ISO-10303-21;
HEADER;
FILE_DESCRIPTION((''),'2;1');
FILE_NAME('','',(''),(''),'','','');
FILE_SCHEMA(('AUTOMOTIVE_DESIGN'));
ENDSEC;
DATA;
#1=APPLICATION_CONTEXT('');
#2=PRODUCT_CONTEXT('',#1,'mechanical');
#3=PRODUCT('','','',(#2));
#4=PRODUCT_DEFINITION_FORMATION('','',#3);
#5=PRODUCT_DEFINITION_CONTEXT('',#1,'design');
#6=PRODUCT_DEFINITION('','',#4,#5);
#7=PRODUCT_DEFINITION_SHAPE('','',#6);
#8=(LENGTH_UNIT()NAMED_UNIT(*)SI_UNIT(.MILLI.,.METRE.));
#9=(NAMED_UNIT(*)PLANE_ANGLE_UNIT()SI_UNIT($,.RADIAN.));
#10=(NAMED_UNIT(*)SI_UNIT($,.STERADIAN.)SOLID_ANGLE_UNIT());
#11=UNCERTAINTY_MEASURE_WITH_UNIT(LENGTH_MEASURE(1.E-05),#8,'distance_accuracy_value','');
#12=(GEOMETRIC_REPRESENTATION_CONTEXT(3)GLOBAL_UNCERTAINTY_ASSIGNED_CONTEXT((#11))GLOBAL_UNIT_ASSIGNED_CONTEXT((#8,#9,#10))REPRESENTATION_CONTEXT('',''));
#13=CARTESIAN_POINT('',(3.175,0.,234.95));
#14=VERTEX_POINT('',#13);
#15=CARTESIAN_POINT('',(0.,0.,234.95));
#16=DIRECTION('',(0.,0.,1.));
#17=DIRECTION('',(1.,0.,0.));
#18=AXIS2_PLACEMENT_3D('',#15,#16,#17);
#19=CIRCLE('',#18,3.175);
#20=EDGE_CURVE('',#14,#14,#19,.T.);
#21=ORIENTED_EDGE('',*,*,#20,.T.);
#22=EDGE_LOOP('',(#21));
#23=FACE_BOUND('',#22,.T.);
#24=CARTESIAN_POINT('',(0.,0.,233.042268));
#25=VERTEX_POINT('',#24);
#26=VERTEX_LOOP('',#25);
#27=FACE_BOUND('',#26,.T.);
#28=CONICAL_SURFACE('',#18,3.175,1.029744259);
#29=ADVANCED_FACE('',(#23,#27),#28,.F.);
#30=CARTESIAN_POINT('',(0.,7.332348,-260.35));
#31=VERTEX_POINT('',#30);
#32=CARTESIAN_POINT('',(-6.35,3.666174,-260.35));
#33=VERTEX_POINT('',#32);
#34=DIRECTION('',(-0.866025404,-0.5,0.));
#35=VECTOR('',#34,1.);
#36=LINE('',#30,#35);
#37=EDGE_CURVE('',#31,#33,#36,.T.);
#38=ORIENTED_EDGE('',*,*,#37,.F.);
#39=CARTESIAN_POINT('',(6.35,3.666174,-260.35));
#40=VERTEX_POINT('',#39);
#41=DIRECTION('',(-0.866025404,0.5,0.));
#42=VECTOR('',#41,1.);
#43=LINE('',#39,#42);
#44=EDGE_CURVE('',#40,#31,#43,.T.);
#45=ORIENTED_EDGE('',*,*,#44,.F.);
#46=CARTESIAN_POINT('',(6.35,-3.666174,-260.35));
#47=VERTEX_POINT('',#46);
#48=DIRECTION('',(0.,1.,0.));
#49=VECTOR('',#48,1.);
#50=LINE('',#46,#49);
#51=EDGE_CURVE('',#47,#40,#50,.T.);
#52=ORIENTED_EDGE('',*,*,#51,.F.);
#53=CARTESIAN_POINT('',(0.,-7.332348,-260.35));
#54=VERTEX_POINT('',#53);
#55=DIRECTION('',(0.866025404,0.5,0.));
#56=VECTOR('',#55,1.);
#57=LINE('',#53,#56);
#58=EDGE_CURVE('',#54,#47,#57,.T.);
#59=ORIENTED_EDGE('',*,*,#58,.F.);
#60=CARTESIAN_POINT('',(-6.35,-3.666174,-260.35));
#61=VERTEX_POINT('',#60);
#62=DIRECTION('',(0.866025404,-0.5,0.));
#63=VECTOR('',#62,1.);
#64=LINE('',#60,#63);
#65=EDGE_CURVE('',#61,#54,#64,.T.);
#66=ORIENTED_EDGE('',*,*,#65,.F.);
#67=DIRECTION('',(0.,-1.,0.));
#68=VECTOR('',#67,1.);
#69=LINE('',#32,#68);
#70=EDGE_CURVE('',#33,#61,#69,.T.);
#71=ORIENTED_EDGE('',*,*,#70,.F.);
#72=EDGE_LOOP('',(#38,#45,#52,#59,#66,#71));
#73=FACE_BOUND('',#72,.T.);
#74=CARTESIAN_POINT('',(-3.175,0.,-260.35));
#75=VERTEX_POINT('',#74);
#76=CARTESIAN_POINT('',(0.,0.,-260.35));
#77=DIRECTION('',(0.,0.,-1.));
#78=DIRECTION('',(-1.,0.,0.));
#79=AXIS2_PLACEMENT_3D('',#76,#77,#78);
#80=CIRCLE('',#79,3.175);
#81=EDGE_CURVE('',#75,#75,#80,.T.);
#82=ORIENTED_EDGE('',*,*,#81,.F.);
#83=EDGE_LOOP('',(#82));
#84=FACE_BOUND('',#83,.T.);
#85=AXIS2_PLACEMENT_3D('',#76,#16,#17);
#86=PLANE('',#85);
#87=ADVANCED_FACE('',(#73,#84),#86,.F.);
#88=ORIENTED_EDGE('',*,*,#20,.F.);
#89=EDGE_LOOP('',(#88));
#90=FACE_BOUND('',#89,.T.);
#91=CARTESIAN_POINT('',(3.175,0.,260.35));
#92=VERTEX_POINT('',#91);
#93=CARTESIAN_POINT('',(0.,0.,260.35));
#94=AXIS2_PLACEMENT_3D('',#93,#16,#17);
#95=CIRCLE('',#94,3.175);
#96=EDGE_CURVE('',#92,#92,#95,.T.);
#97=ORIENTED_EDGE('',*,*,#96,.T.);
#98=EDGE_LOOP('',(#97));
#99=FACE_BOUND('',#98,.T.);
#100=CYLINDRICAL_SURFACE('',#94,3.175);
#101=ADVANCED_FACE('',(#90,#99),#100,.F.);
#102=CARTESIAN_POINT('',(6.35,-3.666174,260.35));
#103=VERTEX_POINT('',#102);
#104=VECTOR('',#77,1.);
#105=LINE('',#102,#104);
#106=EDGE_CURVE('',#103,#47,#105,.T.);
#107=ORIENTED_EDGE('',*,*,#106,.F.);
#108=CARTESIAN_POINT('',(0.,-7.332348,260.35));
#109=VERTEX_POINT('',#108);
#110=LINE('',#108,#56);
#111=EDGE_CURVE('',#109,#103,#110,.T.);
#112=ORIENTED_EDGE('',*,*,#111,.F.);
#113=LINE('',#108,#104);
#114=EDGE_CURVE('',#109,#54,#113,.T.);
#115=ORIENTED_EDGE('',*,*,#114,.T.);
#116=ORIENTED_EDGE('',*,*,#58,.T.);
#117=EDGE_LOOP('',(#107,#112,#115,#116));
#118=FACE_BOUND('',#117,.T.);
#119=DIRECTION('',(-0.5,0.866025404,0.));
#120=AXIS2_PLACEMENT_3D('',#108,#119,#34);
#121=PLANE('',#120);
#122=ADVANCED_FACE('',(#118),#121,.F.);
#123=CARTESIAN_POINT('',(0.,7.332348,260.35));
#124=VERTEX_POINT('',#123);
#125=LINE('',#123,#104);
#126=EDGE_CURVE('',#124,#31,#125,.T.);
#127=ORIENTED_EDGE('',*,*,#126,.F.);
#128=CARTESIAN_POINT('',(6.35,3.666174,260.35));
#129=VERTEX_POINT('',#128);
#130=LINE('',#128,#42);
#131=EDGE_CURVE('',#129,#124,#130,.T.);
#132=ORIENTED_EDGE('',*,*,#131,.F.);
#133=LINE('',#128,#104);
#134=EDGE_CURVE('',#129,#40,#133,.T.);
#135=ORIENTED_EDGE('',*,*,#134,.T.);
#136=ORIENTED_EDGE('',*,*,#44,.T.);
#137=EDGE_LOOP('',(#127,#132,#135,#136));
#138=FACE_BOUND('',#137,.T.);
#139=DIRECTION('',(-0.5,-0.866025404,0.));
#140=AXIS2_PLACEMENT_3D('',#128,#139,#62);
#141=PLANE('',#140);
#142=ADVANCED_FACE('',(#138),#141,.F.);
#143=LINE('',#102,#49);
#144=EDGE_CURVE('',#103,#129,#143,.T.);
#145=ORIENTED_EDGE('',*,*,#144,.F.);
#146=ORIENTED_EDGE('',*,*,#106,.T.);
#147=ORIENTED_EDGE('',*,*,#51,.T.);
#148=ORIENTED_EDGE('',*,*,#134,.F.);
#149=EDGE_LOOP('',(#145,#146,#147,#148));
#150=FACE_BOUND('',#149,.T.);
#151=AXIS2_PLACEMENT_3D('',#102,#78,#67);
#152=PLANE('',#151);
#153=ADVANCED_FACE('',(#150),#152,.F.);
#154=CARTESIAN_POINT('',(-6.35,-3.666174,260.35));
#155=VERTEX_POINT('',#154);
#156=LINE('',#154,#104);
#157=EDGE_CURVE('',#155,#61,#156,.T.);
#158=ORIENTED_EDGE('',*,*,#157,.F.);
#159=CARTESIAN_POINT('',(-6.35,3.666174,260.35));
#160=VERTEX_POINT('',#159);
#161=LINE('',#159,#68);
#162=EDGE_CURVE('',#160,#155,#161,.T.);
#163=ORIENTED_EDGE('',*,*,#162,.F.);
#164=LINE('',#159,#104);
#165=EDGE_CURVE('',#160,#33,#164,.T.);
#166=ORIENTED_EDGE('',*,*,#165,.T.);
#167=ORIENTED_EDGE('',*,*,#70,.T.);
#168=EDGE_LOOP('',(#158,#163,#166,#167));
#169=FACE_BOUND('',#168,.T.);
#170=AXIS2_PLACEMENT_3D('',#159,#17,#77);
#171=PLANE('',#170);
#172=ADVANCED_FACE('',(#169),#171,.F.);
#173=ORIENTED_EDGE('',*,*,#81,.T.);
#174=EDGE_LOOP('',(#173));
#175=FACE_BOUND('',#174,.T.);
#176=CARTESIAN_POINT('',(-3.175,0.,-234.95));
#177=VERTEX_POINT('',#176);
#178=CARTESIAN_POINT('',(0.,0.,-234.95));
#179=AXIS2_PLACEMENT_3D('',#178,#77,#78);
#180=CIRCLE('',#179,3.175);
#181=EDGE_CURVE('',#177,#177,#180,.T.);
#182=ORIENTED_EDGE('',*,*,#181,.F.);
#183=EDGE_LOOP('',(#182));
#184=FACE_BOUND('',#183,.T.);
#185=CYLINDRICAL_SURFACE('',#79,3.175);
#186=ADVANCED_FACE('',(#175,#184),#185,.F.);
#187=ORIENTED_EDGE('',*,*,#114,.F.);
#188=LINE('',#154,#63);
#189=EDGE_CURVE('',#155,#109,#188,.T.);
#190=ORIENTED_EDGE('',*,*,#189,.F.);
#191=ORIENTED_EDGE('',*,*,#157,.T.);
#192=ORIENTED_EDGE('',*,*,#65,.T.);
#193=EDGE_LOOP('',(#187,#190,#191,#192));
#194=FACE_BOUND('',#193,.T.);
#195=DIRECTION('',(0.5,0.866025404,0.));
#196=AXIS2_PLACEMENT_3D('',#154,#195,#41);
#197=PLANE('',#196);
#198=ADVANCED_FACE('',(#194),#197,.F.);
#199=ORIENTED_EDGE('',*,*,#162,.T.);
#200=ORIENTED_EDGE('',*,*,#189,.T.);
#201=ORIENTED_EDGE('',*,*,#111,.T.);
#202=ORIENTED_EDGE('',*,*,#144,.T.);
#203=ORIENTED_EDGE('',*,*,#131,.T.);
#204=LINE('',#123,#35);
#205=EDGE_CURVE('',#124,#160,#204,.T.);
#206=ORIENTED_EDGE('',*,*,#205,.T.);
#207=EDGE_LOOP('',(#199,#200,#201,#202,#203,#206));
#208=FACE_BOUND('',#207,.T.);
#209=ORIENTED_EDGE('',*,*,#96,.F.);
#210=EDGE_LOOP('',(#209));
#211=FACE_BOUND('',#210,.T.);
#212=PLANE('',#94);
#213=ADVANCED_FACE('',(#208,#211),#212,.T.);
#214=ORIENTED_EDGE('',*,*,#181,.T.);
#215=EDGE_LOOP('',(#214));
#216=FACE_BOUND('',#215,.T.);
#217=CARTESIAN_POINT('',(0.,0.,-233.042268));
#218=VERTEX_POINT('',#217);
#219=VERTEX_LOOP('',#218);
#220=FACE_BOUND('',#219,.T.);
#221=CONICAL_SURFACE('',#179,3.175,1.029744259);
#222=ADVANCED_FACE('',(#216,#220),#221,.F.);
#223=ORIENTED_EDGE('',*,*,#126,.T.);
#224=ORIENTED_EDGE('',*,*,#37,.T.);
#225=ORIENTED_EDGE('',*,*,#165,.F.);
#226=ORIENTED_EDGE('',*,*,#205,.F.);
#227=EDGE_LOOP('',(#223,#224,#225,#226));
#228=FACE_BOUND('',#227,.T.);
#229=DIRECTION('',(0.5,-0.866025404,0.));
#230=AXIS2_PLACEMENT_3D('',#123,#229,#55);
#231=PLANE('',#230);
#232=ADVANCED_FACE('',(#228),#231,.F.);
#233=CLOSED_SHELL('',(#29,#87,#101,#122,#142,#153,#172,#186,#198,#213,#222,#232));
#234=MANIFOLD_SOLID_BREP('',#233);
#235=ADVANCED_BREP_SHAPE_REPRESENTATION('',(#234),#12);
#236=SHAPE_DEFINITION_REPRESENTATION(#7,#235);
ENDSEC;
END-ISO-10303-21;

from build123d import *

# Parameters (mm, degrees)
BOSS_EXTRUDE2_DEPTH             = 260.35
BOSS_EXTRUDE2_DEPTH_BACK        = 260.35
F_1_4_0_25_DIAMETER_HOLE1_D     = 6.35
F_1_4_0_25_DIAMETER_HOLE1_DEPTH = 25.4
F_1_4_0_25_DIAMETER_HOLE1_TIP   = 1.907732465
F_1_4_0_25_DIAMETER_HOLE2_D     = 6.35
F_1_4_0_25_DIAMETER_HOLE2_DEPTH = 25.4
F_1_4_0_25_DIAMETER_HOLE2_TIP   = 1.907732465


with BuildPart() as part:
    # Sketch3 → Boss-Extrude2 (new, two sides: drawn at the far end of the back side and taken through both)
    with BuildSketch(Plane.XY.offset(-BOSS_EXTRUDE2_DEPTH_BACK)):
        Polygon((-6.35, -3.666174209), (0, -7.332348419), (6.35, -3.666174209), (6.35, 3.666174209), (0, 7.332348419), (-6.35, 3.666174209), align=None)
    extrude(amount=BOSS_EXTRUDE2_DEPTH + BOSS_EXTRUDE2_DEPTH_BACK)

    # 1/4 (0.25) Diameter Hole1
    with Locations(Plane.XY.offset(260.35)):
        with Locations((0, 0)):
            Hole(F_1_4_0_25_DIAMETER_HOLE1_D / 2, depth=F_1_4_0_25_DIAMETER_HOLE1_DEPTH)
            with Locations((0, 0, -(F_1_4_0_25_DIAMETER_HOLE1_DEPTH + F_1_4_0_25_DIAMETER_HOLE1_TIP / 2))):  # 118° drill point
                Cone(0, F_1_4_0_25_DIAMETER_HOLE1_D / 2, F_1_4_0_25_DIAMETER_HOLE1_TIP, mode=Mode.SUBTRACT)

    # 1/4 (0.25) Diameter Hole2
    with Locations(Plane(origin=(0, 0, -260.35), x_dir=(-1, 0, 0), z_dir=(0, 0, -1))):
        with Locations((0, 0)):
            Hole(F_1_4_0_25_DIAMETER_HOLE2_D / 2, depth=F_1_4_0_25_DIAMETER_HOLE2_DEPTH)
            with Locations((0, 0, -(F_1_4_0_25_DIAMETER_HOLE2_DEPTH + F_1_4_0_25_DIAMETER_HOLE2_TIP / 2))):  # 118° drill point
                Cone(0, F_1_4_0_25_DIAMETER_HOLE2_D / 2, F_1_4_0_25_DIAMETER_HOLE2_TIP, mode=Mode.SUBTRACT)


solid = part.part
